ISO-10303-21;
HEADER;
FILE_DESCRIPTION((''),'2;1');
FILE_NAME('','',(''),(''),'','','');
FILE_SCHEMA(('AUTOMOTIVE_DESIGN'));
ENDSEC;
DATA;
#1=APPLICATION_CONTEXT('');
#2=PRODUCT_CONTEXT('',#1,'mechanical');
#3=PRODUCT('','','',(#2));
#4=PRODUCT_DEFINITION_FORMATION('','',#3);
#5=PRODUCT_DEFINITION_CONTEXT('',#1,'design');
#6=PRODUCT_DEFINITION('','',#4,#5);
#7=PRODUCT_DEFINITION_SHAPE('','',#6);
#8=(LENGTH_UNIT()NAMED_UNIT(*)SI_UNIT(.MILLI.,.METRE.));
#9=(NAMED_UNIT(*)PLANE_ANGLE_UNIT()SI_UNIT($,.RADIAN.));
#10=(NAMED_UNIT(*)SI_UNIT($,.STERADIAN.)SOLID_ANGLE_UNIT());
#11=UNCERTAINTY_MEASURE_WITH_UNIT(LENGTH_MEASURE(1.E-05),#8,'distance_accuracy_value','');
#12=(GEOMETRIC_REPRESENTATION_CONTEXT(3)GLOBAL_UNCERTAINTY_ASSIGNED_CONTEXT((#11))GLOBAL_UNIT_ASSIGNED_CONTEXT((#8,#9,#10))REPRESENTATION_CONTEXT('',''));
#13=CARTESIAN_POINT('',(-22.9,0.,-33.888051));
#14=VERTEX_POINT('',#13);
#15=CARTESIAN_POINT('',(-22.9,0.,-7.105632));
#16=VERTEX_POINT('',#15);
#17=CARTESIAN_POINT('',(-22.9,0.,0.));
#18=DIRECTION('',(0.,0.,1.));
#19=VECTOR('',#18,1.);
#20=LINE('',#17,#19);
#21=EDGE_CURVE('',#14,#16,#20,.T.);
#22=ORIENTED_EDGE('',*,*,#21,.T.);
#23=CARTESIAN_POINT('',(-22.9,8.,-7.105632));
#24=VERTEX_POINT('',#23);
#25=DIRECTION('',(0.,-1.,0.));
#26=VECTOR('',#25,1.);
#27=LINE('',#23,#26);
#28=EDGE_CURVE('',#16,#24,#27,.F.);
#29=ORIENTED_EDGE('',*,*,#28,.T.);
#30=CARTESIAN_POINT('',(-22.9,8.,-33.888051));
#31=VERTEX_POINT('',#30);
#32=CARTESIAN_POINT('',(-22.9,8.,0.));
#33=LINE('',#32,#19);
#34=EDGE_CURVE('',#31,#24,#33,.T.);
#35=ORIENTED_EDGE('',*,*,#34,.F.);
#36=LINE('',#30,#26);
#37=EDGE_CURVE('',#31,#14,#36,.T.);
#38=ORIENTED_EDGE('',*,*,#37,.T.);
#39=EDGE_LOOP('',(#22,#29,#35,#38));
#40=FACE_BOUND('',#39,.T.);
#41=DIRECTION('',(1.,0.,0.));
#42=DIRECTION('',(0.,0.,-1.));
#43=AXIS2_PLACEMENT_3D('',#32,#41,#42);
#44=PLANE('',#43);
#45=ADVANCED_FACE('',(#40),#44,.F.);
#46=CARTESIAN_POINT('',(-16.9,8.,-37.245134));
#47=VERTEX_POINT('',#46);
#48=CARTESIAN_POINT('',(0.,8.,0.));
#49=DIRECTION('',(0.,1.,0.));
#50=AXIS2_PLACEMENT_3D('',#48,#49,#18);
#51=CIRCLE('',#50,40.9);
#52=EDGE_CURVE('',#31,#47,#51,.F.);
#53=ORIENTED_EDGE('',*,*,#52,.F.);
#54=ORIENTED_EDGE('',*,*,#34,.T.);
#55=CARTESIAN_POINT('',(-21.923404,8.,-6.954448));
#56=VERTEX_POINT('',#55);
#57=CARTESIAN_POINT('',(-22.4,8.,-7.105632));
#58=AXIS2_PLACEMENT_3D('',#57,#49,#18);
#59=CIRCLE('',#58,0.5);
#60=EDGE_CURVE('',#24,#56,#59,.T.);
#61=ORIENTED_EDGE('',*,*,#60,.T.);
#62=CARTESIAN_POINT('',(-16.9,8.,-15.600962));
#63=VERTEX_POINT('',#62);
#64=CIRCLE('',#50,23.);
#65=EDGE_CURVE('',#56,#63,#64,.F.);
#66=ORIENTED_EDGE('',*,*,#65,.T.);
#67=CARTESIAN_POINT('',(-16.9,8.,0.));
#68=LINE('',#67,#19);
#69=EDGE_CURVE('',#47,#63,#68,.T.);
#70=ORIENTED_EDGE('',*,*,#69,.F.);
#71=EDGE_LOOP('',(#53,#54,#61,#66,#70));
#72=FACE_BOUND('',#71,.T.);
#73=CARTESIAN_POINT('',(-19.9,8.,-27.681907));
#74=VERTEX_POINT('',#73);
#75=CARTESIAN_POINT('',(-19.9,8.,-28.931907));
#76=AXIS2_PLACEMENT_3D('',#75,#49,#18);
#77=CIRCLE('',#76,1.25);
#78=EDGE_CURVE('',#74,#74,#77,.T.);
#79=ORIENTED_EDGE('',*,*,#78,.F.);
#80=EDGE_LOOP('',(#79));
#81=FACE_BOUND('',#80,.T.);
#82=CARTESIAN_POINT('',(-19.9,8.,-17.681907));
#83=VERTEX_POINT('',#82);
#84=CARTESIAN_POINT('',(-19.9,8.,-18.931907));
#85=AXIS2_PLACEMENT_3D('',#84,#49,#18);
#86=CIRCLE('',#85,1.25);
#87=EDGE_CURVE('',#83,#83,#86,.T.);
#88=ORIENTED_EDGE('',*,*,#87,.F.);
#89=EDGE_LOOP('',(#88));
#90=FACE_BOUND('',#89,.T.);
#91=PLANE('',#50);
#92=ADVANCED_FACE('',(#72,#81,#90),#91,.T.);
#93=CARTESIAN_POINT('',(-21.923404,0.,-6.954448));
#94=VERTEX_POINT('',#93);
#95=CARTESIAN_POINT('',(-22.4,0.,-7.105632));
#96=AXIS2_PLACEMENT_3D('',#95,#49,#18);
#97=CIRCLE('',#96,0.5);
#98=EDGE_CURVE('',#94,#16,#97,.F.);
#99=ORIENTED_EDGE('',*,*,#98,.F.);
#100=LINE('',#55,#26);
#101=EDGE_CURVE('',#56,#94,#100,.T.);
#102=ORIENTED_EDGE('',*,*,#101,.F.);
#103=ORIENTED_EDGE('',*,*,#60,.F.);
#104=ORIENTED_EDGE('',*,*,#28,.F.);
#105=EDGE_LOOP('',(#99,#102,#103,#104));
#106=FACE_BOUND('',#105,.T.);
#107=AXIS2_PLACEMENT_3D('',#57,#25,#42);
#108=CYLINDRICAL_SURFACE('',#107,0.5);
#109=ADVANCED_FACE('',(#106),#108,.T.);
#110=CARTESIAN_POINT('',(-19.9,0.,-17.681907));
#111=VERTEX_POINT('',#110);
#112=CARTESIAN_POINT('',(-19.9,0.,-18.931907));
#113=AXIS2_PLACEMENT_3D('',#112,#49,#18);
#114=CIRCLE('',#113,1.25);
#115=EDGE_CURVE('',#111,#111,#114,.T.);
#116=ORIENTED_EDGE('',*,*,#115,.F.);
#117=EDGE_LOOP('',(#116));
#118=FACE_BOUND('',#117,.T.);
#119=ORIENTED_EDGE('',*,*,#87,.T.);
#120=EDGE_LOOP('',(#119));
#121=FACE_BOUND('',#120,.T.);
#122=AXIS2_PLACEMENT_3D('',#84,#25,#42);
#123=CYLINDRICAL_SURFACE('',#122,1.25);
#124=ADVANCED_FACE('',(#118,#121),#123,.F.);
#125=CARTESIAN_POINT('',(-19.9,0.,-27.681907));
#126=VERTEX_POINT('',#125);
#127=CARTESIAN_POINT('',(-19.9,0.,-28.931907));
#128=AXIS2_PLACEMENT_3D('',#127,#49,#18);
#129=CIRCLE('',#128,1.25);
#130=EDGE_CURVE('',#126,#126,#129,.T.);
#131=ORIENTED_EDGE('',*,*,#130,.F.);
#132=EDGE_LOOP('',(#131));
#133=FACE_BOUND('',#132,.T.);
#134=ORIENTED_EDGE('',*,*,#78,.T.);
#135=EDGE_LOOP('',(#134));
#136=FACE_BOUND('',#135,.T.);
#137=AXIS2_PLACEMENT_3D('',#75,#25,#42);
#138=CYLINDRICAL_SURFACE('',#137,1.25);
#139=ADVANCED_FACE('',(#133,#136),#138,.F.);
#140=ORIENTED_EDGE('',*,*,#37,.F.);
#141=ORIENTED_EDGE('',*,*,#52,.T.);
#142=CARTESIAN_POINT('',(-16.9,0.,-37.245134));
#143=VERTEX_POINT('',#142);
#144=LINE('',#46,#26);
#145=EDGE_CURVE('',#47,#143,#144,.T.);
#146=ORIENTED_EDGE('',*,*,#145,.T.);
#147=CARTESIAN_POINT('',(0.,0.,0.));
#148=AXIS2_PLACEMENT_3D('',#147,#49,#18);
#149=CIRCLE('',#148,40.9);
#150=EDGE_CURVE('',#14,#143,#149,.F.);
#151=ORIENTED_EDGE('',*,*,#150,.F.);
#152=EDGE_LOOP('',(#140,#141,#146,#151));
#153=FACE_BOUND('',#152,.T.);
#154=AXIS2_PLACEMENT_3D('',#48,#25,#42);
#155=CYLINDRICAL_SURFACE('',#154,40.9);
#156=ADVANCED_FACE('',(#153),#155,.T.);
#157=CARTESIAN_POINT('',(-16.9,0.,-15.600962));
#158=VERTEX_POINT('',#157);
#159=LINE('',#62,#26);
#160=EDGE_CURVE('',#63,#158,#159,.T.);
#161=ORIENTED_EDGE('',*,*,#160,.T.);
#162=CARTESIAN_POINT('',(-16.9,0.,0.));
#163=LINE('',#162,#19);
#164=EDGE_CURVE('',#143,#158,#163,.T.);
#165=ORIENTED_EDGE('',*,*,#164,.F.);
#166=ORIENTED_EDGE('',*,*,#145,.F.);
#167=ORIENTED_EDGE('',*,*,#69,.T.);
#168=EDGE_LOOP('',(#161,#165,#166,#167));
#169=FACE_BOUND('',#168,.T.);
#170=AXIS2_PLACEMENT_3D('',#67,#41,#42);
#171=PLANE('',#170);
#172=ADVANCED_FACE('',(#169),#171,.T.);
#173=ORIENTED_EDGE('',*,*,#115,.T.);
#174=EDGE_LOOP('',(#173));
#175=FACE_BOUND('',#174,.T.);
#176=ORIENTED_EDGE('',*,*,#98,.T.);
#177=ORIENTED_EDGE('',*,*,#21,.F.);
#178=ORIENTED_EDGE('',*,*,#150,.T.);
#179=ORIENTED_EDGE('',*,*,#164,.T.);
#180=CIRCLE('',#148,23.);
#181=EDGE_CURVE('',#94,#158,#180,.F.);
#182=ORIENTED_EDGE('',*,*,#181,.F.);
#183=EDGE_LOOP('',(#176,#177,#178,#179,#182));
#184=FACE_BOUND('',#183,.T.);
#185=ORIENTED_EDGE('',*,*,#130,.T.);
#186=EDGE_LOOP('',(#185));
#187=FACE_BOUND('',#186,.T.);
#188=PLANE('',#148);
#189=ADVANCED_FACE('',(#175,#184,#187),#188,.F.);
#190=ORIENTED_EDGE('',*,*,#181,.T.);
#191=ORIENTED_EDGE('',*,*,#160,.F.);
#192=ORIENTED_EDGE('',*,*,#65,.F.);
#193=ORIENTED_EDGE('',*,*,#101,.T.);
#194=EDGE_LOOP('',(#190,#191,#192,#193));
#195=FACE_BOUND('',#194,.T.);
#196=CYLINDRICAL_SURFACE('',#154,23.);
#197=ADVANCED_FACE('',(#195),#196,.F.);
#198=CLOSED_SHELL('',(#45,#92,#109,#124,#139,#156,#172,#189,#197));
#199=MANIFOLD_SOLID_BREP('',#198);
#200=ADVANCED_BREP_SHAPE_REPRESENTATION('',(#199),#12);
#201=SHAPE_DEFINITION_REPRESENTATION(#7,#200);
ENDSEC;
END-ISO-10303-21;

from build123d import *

# Parameters (mm, degrees)
SKETCH_1_R      = 1.25
EXTRUDE_1_DEPTH = 8
FILLET_1_R      = 0.5


with BuildPart() as part:
    # 草图1 → 凸台-拉伸1 (new body)
    with BuildSketch(Plane(origin=(0, 0, 0), x_dir=(1, 0, 0), z_dir=(0, 1, 0))):
        with BuildLine():
            Line((-22.9, 33.888050991), (-22.9, 2.142428529))
            ThreePointArc((-22.9, 2.142428529), (-21.006975687, 9.365200078), (-16.9, 15.600961509))
            Line((-16.9, 15.600961509), (-16.9, 37.24513391))
            ThreePointArc((-16.9, 37.24513391), (-19.970666024, 35.692891429), (-22.9, 33.888050991))
        make_face()
        with Locations((-19.9, 28.931907268)):
            Circle(SKETCH_1_R, mode=Mode.SUBTRACT)
        with Locations((-19.9, 18.931907268)):
            Circle(SKETCH_1_R, mode=Mode.SUBTRACT)
    extrude(amount=EXTRUDE_1_DEPTH)

    # 圆角1
    fillet_1_edges = [part.edges().sort_by_distance(p)[0] for p in [
        (-22.9, 4, -2.142428529),
    ]]
    fillet(fillet_1_edges, radius=FILLET_1_R)


solid = part.part
